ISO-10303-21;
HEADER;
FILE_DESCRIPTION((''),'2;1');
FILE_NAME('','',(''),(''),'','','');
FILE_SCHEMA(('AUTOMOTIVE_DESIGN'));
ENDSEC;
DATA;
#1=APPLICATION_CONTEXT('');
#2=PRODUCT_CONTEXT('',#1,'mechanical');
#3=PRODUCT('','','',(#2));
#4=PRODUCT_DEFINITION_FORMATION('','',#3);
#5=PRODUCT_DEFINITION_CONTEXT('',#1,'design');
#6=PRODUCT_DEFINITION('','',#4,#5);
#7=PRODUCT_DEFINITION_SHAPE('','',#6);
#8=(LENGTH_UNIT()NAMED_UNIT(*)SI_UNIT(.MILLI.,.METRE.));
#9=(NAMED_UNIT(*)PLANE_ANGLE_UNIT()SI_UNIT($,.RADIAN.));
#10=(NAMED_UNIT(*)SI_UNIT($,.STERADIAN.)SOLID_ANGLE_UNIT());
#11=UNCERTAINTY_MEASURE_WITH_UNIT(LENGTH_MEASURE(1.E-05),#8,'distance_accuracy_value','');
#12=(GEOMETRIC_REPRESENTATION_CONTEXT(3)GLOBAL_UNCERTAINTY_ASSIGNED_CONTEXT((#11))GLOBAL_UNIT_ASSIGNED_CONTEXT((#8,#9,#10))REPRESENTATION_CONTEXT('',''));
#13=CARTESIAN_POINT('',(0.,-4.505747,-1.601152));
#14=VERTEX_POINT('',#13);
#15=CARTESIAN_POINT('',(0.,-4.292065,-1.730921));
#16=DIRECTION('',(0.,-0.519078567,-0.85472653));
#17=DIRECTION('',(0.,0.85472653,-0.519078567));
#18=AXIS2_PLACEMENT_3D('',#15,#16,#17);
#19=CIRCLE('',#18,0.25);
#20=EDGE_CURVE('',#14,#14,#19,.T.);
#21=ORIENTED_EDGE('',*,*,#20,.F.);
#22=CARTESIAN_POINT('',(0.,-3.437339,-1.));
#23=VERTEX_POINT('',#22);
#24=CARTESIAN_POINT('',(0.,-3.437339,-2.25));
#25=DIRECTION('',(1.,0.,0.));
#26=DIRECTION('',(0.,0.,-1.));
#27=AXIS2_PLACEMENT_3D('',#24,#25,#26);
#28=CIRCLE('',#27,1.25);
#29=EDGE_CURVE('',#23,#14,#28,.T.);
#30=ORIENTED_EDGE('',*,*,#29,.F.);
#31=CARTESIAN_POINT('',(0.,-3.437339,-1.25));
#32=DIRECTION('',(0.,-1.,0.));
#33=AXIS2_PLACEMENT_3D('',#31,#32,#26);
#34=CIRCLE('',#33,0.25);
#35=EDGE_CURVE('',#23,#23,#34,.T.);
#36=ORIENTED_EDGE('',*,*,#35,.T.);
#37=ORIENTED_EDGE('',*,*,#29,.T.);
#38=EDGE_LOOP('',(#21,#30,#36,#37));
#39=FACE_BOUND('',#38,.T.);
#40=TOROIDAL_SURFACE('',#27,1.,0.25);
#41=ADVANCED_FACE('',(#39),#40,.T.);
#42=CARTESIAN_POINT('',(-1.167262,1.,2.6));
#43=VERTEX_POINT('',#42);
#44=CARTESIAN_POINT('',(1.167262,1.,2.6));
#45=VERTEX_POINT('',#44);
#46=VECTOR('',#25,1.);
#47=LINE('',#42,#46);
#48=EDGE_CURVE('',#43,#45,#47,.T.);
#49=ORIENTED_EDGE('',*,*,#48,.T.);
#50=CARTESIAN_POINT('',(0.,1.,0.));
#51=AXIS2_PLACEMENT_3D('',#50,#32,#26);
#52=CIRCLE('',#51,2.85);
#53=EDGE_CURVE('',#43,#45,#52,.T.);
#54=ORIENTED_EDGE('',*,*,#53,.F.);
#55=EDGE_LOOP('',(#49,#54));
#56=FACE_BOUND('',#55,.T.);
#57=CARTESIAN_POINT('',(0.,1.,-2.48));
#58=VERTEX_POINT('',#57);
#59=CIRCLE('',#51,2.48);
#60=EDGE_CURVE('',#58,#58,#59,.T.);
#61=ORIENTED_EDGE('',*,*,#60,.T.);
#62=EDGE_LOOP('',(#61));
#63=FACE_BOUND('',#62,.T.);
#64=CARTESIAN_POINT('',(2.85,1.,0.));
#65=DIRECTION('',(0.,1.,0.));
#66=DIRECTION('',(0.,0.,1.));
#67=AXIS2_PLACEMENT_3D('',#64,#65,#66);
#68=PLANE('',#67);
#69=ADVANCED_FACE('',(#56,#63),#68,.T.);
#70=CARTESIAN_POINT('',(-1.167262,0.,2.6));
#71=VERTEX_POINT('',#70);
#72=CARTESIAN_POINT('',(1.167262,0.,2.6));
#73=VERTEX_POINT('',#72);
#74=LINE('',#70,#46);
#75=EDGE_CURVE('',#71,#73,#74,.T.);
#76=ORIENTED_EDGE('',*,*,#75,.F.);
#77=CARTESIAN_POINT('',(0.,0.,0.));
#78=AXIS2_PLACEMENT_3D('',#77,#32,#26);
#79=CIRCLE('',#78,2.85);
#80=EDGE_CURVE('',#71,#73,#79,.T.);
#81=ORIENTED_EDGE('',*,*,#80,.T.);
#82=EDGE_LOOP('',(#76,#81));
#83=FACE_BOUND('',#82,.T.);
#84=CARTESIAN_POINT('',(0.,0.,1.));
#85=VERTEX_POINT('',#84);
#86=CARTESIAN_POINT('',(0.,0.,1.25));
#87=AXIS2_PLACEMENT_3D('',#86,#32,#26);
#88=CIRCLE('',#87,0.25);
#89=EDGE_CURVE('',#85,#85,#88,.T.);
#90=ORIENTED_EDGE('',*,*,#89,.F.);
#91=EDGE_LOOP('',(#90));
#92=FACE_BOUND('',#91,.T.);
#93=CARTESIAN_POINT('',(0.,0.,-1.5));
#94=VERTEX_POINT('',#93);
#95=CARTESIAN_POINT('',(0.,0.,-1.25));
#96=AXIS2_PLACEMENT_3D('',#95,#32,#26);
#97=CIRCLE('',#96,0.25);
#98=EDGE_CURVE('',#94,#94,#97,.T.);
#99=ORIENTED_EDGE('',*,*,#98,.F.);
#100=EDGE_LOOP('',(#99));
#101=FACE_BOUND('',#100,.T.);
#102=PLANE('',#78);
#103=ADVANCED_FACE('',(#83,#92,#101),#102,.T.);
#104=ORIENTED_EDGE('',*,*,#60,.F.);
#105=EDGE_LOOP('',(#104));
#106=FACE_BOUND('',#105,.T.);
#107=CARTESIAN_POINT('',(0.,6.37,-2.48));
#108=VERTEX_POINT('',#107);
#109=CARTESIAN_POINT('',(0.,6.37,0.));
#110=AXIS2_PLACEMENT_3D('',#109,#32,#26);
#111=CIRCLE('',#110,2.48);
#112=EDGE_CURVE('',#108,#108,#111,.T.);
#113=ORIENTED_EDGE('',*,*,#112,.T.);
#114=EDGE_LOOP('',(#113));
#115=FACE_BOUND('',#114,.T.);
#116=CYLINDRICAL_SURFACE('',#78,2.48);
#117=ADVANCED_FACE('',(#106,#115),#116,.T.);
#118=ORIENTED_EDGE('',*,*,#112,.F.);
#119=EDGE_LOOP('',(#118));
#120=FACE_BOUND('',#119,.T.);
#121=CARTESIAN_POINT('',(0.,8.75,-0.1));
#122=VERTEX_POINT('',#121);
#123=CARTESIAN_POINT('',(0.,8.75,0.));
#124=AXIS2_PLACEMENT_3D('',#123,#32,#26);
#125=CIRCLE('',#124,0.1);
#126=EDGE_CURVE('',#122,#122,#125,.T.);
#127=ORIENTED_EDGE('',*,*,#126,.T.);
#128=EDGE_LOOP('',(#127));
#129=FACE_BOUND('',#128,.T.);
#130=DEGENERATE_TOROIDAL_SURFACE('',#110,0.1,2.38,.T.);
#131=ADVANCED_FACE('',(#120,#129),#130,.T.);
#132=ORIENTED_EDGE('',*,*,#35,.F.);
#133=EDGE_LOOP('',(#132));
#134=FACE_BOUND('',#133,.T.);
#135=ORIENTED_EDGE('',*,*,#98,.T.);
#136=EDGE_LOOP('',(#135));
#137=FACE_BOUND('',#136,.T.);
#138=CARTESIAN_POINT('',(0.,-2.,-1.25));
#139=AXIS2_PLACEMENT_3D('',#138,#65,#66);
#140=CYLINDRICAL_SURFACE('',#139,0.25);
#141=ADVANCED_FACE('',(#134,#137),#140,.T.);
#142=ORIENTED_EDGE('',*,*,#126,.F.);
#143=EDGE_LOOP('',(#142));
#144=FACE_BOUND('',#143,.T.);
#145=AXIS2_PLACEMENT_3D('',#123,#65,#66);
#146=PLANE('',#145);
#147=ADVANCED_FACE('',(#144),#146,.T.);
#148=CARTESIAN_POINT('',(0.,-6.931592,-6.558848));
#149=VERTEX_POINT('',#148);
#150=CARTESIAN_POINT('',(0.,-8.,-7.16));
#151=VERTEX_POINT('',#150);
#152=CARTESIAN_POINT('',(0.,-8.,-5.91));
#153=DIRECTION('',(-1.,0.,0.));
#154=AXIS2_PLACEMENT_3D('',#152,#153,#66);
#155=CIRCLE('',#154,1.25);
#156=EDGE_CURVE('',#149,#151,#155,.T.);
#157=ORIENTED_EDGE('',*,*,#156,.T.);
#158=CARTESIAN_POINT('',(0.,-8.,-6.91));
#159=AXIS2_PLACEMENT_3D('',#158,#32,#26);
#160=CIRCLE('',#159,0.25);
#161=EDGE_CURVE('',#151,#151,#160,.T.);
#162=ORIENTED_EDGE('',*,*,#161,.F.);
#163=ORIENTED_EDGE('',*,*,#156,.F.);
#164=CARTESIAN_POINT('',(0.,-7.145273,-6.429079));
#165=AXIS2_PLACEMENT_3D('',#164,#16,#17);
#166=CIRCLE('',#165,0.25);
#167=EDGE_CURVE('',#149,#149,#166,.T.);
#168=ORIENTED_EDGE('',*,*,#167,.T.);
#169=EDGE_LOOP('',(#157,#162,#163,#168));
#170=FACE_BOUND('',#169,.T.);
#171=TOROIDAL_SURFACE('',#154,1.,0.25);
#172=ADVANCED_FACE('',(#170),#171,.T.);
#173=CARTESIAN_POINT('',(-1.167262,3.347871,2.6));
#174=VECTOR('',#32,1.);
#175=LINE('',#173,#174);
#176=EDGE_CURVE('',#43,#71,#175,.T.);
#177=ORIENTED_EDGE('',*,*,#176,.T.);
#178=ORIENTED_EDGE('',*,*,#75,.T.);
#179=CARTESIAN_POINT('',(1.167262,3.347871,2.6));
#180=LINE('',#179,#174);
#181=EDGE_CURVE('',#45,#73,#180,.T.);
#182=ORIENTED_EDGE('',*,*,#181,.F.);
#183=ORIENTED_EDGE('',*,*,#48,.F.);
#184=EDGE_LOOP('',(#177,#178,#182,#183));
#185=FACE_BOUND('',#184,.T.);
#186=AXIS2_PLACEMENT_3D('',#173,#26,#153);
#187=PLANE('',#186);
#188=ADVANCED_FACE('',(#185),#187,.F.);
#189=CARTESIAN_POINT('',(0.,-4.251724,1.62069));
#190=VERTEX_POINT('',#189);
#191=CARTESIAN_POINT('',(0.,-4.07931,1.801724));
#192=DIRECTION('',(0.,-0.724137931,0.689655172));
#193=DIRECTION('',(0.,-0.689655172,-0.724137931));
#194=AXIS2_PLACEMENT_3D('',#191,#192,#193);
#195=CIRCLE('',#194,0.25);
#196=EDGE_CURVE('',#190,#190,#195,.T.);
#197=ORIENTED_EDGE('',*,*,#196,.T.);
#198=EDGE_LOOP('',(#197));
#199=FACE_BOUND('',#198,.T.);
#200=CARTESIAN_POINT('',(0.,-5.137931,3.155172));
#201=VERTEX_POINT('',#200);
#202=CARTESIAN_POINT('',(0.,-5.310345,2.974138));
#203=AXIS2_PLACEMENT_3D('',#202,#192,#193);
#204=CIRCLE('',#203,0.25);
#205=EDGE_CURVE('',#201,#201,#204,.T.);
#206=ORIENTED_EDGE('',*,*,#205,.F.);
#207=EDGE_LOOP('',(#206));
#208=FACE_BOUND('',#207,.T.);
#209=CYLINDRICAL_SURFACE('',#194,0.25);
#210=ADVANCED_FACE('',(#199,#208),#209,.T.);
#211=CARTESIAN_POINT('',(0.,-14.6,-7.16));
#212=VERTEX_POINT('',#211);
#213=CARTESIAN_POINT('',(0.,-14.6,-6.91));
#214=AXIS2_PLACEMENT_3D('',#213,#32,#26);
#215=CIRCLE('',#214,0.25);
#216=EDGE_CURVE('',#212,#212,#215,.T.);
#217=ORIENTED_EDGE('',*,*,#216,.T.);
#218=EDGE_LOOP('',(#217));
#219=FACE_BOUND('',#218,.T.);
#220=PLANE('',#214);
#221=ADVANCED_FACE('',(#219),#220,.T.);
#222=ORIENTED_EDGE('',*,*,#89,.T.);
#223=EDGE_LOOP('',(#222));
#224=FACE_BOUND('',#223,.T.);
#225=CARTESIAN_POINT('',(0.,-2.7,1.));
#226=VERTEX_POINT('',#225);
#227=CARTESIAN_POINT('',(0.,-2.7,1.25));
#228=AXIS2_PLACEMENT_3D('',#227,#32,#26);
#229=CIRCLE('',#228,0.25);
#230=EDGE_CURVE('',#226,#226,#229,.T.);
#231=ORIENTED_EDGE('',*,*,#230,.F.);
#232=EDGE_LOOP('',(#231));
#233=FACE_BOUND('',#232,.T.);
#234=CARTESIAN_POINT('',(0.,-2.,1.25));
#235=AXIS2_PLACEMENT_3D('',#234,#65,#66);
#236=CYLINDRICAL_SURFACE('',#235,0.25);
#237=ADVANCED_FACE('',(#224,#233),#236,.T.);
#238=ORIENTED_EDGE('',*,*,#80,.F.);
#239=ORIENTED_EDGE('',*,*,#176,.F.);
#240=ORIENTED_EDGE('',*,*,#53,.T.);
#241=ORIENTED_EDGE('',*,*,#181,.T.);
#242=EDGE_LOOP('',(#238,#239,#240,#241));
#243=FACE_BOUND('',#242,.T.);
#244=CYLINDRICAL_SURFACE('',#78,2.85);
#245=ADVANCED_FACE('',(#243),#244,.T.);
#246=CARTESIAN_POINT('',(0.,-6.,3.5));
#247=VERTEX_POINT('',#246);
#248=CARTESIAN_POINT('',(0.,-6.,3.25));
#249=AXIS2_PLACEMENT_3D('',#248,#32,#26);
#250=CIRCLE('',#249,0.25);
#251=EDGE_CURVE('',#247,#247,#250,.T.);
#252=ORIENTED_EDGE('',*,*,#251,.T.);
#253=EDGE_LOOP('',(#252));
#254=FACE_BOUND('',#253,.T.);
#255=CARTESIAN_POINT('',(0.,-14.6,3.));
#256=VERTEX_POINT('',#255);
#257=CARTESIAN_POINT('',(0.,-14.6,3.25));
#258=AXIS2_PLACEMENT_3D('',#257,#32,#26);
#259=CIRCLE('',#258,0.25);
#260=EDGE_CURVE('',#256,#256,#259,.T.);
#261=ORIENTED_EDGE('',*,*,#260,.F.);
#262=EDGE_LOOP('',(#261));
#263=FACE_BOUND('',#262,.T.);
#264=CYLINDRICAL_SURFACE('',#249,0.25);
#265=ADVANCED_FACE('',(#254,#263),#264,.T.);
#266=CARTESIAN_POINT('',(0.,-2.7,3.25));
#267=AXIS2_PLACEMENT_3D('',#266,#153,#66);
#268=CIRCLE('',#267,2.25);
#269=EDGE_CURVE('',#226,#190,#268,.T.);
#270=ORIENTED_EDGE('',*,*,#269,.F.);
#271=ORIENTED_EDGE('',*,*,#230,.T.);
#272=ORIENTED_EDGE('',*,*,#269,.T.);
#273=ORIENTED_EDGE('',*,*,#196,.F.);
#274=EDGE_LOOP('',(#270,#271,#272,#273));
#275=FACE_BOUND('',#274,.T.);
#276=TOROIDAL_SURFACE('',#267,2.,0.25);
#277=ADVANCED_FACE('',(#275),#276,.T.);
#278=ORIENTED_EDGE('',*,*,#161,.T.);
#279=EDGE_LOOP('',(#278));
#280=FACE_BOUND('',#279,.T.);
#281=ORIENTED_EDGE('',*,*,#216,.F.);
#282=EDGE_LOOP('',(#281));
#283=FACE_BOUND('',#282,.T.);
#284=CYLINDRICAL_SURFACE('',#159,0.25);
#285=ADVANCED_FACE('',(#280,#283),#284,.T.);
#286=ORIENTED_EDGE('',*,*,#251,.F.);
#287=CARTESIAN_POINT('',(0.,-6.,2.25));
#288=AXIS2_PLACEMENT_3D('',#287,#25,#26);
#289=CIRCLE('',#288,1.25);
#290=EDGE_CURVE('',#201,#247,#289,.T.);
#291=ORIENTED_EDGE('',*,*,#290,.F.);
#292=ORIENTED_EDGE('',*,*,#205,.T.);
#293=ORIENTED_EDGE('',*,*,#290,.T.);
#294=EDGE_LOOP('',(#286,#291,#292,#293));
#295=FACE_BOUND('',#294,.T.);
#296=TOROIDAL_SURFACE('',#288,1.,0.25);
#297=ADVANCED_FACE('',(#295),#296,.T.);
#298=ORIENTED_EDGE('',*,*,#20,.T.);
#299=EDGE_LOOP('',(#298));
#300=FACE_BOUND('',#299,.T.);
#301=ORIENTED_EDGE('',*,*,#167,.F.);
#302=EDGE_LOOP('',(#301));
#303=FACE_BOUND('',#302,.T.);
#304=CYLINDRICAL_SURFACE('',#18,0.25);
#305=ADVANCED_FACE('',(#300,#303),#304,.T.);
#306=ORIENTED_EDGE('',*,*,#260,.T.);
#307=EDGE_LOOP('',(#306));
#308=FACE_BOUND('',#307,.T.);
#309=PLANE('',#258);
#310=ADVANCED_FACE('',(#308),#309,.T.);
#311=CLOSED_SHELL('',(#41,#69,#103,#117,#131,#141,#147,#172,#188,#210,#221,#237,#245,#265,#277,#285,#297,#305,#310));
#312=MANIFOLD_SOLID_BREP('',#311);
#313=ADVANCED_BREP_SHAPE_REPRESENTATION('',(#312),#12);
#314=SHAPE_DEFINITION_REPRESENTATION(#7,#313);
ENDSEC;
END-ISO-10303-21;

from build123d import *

# Parameters (mm, degrees)
CUT_EXTRUDE1_DEPTH  = 1
SKETCH3_R           = 0.25
BOSS_EXTRUDE1_DEPTH = 2
SKETCH5_R           = 0.25
SKETCH7_R           = 0.25


with BuildPart() as part:
    # Sketch1 → Revolve1 (revolve)
    with BuildSketch(Plane.XY, mode=Mode.PRIVATE) as revolve1_sk:
        with BuildLine():
            Line((0, 0), (0, 8.75))
            Line((0, 8.75), (0.1, 8.75))
            ThreePointArc((0.1, 8.75), (1.782914139, 8.052914139), (2.48, 6.37))
            Line((2.48, 6.37), (2.48, 1))
            Line((2.48, 1), (2.85, 1))
            Line((2.85, 1), (2.85, 0))
            Line((2.85, 0), (0, 0))
        make_face()
    revolve(revolve1_sk.sketch.rotate(Axis((0, 0, 0), (0, 1, 0)), 90), axis=Axis((0, 0, 0), (0, 1, 0)))

    # Sketch2 → Cut-Extrude1 (cut)
    with BuildSketch(Plane.XZ):
        with BuildLine():
            Line((-1.167261753, 2.6), (1.167261753, 2.6))
            ThreePointArc((1.167261753, 2.6), (0, 2.85), (-1.167261753, 2.6))
        make_face()
    extrude(amount=-CUT_EXTRUDE1_DEPTH, mode=Mode.SUBTRACT)

    # Sketch3 → Boss-Extrude1 (add)
    with BuildSketch(Plane.XZ):
        with Locations(Location((0, -1.25, 0), (0, 0, 270))):
            Circle(SKETCH3_R)
        with Locations(Location((0, 1.25, 0), (0, 0, 270))):
            Circle(SKETCH3_R)
    extrude(amount=BOSS_EXTRUDE1_DEPTH)

    # Sweep1: sweep along a path in Sketch4
    with BuildLine(Plane(origin=(0, 0, 0), x_dir=(0, 0, -1), z_dir=(1, 0, 0))) as sweep1_path:
        Line((-1.25, -2), (-1.25, -2.7))
        ThreePointArc((-1.25, -2.7), (-1.393046618, -3.442781353), (-1.801724138, -4.079310345))
        Line((-1.801724138, -4.079310345), (-2.974137931, -5.310344828))
        ThreePointArc((-2.974137931, -5.310344828), (-3.178476691, -5.628609324), (-3.25, -6))
        Line((-3.25, -6), (-3.25, -14.6))
    # Sketch5 → Sweep1 (sweep)
    with BuildSketch(Plane(origin=(0, -14.6, 3.25), x_dir=(-1, 0, 0), z_dir=(0, -1, 0))):
        Circle(SKETCH5_R)
    sweep(path=sweep1_path.line)

    # Sweep2: sweep along a path in Sketch6
    with BuildLine(Plane(origin=(0, 0, 0), x_dir=(0, 0, -1), z_dir=(1, 0, 0))) as sweep2_path:
        Line((6.91, -14.6), (6.91, -8))
        ThreePointArc((6.91, -8), (6.78151551, -7.50963206), (6.429078567, -7.14527347))
        Line((6.429078567, -7.14527347), (1.730921433, -4.292065356))
        ThreePointArc((1.730921433, -4.292065356), (1.37848449, -3.927706766), (1.25, -3.437338826))
        Line((1.25, -3.437338826), (1.25, -2))
    # Sketch7 → Sweep2 (sweep)
    with BuildSketch(Plane(origin=(0, -14.6, -6.91), x_dir=(-1, 0, 0), z_dir=(0, -1, 0))):
        Circle(SKETCH7_R)
    sweep(path=sweep2_path.line)


solid = part.part
